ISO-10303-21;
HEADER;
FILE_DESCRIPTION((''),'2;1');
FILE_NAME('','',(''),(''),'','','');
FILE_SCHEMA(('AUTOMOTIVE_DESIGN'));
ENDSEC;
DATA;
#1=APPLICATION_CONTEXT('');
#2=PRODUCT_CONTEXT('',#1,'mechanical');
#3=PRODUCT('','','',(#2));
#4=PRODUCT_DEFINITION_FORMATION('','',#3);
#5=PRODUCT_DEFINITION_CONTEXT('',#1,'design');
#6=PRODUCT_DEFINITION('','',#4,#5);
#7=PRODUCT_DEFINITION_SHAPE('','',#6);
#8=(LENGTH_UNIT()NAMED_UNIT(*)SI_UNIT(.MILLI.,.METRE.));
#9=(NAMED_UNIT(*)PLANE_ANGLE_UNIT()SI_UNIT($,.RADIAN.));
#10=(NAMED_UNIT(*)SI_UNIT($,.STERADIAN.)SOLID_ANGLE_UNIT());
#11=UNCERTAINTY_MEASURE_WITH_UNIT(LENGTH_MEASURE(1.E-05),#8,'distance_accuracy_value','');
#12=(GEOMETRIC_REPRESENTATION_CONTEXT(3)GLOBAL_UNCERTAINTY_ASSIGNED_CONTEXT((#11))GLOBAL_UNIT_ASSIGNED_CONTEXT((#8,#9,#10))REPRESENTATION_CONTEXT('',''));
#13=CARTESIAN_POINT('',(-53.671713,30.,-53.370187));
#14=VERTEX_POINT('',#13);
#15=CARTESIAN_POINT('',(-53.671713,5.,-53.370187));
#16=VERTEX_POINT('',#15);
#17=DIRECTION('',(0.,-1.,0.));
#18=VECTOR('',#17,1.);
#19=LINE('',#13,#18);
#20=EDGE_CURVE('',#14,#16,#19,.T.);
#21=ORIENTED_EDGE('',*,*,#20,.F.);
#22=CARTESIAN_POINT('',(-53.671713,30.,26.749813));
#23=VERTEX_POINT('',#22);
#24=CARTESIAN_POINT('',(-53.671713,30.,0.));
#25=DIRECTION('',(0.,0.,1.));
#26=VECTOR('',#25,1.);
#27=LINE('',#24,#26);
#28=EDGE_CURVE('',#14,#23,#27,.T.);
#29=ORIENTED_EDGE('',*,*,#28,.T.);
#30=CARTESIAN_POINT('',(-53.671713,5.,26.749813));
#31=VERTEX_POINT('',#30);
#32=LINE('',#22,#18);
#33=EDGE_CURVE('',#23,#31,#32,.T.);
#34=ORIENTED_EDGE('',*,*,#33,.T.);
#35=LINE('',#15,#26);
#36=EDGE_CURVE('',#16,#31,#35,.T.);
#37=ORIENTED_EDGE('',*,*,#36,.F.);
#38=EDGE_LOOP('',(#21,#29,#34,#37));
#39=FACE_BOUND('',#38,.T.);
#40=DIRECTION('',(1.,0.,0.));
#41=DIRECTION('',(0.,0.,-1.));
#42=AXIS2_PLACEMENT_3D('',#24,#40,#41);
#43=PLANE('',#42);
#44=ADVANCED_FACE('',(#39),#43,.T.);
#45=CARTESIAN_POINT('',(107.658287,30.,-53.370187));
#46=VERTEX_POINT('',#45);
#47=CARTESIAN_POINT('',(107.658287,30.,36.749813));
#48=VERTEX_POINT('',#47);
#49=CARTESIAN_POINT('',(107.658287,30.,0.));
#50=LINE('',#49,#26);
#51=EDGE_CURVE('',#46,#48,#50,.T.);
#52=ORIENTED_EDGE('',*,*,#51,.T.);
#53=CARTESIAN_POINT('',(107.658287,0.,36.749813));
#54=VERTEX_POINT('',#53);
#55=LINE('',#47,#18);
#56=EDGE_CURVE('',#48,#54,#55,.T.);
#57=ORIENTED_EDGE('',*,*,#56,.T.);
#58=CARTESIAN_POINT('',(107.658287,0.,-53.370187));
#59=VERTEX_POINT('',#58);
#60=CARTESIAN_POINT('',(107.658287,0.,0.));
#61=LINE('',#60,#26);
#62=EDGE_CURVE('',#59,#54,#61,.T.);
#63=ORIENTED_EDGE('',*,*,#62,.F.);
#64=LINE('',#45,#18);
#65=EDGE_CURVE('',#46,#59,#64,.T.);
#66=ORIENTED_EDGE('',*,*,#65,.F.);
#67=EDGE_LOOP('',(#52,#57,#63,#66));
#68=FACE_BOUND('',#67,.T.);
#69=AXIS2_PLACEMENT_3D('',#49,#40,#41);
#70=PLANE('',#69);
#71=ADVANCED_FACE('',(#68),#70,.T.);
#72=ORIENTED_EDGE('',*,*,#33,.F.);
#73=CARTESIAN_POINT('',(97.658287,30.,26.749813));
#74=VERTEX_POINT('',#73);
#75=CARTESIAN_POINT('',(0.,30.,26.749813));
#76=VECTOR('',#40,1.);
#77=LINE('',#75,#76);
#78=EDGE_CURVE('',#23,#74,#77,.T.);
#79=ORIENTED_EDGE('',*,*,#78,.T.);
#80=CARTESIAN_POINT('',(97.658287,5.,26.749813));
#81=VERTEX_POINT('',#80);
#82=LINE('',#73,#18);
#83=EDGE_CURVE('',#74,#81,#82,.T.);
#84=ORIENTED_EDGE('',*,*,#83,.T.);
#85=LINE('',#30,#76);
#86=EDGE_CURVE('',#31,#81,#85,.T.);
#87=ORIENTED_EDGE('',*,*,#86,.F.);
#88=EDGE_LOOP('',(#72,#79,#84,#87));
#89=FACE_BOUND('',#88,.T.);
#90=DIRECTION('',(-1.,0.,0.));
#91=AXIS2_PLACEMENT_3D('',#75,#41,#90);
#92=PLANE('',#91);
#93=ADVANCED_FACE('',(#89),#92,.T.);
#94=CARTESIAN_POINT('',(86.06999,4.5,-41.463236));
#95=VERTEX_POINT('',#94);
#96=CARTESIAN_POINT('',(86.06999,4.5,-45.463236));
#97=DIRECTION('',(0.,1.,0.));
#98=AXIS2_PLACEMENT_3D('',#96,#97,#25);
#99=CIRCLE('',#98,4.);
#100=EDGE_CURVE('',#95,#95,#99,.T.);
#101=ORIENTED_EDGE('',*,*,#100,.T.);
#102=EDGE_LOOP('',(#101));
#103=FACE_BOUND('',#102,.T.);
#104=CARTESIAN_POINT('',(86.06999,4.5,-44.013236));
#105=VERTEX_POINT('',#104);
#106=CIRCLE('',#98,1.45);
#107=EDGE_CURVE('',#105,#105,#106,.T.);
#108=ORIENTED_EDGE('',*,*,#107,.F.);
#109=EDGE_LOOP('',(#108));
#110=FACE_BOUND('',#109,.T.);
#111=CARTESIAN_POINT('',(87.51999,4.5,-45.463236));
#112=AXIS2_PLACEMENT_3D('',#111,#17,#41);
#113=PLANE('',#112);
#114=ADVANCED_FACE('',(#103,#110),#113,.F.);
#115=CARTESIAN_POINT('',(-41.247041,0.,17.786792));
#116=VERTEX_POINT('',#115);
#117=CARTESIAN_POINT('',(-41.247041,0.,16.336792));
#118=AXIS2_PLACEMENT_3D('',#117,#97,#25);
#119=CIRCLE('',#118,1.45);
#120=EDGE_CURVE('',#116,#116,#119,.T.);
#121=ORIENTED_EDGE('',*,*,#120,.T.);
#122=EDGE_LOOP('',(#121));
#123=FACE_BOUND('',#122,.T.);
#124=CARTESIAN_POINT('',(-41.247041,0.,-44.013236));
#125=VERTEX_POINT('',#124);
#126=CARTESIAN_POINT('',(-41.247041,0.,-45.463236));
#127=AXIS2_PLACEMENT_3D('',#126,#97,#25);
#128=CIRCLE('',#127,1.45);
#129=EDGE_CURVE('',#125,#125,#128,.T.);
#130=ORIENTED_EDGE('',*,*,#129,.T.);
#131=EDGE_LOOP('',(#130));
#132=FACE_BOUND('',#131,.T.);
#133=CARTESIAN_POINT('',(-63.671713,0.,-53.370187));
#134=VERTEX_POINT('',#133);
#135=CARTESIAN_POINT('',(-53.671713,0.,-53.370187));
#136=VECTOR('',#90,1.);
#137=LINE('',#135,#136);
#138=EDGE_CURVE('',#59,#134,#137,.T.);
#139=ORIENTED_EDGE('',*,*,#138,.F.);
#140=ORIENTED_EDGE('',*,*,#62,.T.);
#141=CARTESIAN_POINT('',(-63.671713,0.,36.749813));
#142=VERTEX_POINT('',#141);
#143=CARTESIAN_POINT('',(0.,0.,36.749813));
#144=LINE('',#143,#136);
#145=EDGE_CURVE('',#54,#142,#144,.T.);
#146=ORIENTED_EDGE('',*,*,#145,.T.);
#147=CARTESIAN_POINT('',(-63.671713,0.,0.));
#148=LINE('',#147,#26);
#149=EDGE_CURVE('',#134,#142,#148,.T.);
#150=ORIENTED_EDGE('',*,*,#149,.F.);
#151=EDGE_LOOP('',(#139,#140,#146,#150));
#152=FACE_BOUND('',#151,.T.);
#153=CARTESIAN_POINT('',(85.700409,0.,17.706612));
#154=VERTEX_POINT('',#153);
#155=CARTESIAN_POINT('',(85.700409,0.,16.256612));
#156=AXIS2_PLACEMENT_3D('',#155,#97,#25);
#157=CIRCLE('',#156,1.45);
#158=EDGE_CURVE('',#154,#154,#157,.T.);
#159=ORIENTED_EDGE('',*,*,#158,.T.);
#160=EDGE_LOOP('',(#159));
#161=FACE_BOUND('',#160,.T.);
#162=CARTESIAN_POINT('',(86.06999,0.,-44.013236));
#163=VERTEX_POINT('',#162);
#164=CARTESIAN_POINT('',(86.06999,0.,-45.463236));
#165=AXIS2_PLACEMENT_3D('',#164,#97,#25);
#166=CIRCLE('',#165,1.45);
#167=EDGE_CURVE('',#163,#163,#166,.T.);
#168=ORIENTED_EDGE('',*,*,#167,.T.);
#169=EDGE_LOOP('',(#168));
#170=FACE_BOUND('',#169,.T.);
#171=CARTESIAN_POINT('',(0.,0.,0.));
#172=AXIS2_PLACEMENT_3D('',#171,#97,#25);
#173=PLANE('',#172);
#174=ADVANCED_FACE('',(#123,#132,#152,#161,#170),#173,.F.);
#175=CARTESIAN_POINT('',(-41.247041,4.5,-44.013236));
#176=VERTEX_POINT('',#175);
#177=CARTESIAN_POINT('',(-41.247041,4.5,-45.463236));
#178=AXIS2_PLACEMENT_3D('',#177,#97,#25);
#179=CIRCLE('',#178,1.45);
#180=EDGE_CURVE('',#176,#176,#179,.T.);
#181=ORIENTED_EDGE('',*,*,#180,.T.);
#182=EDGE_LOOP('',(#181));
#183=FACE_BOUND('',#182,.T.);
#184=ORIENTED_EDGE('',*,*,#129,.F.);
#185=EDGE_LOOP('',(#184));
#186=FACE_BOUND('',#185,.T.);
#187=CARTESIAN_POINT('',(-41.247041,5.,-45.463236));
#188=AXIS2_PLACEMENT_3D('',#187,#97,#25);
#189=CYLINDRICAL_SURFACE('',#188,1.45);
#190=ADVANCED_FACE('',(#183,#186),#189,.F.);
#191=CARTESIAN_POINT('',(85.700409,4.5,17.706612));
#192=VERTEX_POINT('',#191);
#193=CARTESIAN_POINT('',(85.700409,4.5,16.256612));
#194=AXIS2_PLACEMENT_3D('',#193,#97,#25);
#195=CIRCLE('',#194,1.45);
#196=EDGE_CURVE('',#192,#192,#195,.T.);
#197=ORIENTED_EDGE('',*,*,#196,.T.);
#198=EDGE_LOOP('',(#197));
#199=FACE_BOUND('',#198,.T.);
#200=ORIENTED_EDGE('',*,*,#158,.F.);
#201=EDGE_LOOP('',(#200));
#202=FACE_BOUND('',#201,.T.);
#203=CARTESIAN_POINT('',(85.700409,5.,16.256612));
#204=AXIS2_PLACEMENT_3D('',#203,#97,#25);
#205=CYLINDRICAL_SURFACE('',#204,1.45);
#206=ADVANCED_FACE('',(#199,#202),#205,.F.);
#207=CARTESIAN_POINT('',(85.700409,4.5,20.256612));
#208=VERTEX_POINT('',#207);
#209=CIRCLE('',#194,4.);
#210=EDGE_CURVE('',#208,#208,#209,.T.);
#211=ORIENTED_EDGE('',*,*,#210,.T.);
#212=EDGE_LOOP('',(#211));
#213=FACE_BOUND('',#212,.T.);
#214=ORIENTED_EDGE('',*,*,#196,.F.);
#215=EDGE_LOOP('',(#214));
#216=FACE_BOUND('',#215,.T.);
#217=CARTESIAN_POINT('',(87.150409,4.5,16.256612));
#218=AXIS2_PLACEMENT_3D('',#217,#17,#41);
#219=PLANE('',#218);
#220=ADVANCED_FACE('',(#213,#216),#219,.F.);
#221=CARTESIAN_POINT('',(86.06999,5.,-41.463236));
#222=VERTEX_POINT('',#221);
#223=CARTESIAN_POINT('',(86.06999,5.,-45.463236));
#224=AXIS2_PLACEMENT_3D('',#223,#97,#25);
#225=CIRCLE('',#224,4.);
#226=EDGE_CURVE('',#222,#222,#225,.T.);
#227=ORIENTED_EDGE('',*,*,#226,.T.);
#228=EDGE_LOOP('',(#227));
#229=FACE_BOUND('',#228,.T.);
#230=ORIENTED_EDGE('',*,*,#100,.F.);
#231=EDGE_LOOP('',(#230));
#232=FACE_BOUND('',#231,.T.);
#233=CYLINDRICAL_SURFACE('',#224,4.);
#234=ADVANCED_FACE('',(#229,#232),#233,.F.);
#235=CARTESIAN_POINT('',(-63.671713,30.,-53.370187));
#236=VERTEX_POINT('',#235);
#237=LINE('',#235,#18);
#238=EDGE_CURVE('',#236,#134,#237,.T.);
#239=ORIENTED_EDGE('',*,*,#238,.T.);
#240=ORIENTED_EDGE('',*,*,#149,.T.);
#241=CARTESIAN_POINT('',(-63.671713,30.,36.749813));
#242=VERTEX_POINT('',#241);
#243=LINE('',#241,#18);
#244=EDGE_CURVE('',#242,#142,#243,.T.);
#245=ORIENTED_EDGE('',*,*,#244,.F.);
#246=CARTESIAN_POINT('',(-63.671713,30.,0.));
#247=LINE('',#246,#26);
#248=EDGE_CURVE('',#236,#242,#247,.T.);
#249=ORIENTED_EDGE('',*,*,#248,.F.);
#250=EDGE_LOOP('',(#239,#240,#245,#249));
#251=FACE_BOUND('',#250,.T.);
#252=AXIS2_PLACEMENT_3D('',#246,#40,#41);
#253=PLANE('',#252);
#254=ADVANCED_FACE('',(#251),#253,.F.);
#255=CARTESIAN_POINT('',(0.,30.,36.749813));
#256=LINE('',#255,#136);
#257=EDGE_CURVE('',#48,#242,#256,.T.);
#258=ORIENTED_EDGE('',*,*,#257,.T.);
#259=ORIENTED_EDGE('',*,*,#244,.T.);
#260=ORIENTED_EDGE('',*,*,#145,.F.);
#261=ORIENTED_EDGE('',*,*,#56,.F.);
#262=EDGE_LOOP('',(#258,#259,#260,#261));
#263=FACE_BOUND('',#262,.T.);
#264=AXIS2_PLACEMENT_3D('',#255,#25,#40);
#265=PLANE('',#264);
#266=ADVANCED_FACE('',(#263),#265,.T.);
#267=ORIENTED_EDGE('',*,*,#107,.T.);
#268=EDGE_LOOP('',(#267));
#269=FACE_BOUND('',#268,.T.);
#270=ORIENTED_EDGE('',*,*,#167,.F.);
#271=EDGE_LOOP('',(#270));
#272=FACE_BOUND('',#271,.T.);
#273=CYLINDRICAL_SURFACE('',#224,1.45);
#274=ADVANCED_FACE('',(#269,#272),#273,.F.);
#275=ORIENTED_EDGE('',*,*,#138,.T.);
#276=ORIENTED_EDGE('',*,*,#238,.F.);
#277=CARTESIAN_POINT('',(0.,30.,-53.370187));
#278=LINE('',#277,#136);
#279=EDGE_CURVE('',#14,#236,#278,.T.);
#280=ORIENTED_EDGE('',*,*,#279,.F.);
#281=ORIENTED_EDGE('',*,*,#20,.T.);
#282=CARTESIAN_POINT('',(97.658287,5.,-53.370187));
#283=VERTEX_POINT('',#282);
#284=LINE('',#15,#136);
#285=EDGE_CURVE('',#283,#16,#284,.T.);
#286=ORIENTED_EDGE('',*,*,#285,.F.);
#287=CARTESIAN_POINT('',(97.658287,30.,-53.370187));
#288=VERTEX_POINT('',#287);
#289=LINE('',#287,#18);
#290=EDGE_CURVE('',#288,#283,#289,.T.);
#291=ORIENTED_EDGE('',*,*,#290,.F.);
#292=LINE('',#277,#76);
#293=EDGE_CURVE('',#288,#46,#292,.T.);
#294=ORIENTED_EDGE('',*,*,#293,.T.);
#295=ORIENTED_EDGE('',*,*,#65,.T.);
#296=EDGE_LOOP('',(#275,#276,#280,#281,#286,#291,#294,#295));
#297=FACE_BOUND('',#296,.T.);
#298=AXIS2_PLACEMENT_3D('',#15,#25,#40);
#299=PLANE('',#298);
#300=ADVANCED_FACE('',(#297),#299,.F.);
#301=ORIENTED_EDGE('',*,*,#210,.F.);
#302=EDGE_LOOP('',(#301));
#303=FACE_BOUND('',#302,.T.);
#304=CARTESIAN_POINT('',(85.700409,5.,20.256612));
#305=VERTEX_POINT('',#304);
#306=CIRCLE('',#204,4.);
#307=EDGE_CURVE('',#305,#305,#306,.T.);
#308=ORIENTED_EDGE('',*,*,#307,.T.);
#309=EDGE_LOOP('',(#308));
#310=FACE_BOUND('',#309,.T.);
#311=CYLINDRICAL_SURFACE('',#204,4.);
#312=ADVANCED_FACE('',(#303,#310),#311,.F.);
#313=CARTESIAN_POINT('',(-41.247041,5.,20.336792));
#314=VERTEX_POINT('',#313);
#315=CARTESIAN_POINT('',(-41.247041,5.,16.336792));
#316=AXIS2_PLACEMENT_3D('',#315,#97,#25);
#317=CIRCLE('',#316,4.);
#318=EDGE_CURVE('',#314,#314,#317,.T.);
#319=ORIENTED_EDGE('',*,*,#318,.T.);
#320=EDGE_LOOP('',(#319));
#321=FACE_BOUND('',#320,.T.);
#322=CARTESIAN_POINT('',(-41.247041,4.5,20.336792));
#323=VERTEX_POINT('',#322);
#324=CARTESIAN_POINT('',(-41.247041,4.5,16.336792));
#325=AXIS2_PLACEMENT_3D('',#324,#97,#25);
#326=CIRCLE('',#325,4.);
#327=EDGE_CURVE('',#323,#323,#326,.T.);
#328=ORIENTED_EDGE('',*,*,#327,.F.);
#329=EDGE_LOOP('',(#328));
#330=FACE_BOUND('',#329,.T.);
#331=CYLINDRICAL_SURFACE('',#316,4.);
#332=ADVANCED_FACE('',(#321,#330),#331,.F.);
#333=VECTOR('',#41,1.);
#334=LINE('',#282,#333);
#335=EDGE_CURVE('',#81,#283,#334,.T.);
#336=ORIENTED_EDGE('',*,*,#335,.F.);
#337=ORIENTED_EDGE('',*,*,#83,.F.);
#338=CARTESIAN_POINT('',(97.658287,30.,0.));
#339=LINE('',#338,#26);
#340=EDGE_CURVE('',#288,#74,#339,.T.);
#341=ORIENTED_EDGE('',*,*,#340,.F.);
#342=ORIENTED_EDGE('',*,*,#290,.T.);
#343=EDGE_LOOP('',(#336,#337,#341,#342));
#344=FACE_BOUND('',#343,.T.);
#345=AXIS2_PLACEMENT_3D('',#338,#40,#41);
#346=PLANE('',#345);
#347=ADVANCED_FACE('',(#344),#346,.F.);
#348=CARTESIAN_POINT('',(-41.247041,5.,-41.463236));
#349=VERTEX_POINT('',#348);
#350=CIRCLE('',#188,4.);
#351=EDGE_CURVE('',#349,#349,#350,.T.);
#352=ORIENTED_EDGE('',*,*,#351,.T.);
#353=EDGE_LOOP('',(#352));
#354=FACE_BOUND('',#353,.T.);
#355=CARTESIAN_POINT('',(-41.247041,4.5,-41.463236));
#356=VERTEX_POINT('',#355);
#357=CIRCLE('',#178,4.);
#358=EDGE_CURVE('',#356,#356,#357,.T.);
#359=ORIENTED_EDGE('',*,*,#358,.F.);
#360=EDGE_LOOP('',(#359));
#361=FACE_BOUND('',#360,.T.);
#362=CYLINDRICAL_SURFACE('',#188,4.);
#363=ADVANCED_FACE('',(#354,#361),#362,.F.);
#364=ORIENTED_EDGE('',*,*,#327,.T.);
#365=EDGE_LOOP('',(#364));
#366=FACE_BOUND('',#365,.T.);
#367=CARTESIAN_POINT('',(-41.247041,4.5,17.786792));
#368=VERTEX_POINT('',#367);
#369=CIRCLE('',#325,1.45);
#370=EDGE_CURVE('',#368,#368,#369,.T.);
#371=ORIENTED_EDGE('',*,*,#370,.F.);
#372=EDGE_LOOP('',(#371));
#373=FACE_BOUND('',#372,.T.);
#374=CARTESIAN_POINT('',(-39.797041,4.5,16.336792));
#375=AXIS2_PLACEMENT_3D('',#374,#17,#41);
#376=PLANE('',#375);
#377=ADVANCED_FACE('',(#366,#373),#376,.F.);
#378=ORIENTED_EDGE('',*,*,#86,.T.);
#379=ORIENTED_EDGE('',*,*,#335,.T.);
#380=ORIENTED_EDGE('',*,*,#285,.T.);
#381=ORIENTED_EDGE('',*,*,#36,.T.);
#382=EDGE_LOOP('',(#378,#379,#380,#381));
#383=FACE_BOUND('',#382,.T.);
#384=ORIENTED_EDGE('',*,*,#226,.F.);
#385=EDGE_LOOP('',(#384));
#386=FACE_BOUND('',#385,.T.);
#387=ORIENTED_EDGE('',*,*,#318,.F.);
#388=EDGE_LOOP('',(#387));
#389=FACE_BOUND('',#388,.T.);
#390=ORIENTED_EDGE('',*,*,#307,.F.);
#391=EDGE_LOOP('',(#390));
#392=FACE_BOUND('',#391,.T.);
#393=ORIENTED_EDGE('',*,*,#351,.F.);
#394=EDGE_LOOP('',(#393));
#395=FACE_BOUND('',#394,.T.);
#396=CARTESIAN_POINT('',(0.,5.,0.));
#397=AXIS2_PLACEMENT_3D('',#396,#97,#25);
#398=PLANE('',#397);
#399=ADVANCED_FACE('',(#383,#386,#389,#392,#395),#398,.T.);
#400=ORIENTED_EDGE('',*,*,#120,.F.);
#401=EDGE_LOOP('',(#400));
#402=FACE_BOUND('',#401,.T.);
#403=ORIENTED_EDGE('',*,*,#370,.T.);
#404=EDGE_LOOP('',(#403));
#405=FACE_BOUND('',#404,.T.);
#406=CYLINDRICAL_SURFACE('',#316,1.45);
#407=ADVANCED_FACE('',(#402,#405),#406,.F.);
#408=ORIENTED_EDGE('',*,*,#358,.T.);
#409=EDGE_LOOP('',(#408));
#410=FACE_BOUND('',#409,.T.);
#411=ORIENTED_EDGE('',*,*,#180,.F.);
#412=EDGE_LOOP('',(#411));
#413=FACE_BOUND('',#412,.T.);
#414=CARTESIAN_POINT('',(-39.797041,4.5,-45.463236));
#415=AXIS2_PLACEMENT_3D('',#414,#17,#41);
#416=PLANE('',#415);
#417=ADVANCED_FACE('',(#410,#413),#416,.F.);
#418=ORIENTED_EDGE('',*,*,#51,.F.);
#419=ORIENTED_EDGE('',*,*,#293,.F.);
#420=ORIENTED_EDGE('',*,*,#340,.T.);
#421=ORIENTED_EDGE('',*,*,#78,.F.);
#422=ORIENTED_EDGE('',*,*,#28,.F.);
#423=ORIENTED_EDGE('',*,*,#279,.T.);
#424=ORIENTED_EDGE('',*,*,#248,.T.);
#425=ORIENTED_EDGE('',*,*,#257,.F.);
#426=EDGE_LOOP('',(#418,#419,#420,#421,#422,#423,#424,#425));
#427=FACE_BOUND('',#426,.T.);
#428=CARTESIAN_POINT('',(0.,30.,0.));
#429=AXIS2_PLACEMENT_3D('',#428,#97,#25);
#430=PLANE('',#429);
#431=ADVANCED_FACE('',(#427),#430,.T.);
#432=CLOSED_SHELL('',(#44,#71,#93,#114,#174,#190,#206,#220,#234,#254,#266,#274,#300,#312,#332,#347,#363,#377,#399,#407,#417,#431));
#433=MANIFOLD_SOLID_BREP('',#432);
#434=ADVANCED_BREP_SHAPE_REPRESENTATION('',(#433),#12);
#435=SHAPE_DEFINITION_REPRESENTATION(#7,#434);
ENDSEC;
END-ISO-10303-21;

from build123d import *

# Parameters (mm, degrees)
SKETCH1_W                                            = 151.33
SKETCH1_H                                            = 80.12
BOSS_EXTRUDE1_DEPTH                                  = 5
SKETCH3_W                                            = 10
SKETCH3_H                                            = 90.12
SKETCH3_W_2                                          = 151.33
SKETCH3_H_2                                          = 10
BOSS_EXTRUDE2_DEPTH                                  = 30
CBORE_FOR_M2_5_HEXAGON_HEAD_BOLTS_FULL_T_D           = 2.9
CBORE_FOR_M2_5_HEXAGON_HEAD_BOLTS_FULL_T_DEPTH       = 20
CBORE_FOR_M2_5_HEXAGON_HEAD_BOLTS_FULL_T_CBORE_D     = 8
CBORE_FOR_M2_5_HEXAGON_HEAD_BOLTS_FULL_T_CBORE_DEPTH = 0.5
CBORE_FOR_M2_5_HEXAGON_HEAD_BOLTS_FULL_T_TIP         = 0.871247898


with BuildPart() as part:
    # Sketch1 → Boss-Extrude1 (new body)
    with BuildSketch(Plane(origin=(0, 0, 0), x_dir=(1, 0, 0), z_dir=(0, 1, 0))):
        with Locations((21.993286604, 13.310186916)):
            Rectangle(SKETCH1_W, SKETCH1_H)
    extrude(amount=BOSS_EXTRUDE1_DEPTH)

    # Sketch3 → Boss-Extrude2 (add)
    with BuildSketch(Plane(origin=(0, 0, 0), x_dir=(1, 0, 0), z_dir=(0, 1, 0))):
        with Locations((-58.671713396, 8.310186916)):
            Rectangle(SKETCH3_W, SKETCH3_H)
        with Locations((21.993286604, -31.749813084)):
            Rectangle(SKETCH3_W_2, SKETCH3_H_2)
        with Locations((102.658286604, 8.310186916)):
            Rectangle(SKETCH3_W, SKETCH3_H)
    extrude(amount=BOSS_EXTRUDE2_DEPTH)

    # CBORE for M2.5 Hexagon head bolts-Full thread-grades AB1
    with Locations(Plane(origin=(85.700408956, 5, 16.256611899), x_dir=(0, 0, 1), z_dir=(0, 1, 0))):
        with Locations((0, 0), (0.080180531, -126.947449906), (-61.719848362, -126.947449906), (-61.719848362, 0.369580631)):
            CounterBoreHole(CBORE_FOR_M2_5_HEXAGON_HEAD_BOLTS_FULL_T_D / 2, CBORE_FOR_M2_5_HEXAGON_HEAD_BOLTS_FULL_T_CBORE_D / 2, CBORE_FOR_M2_5_HEXAGON_HEAD_BOLTS_FULL_T_CBORE_DEPTH, depth=CBORE_FOR_M2_5_HEXAGON_HEAD_BOLTS_FULL_T_DEPTH)
            with Locations((0, 0, -(CBORE_FOR_M2_5_HEXAGON_HEAD_BOLTS_FULL_T_DEPTH + CBORE_FOR_M2_5_HEXAGON_HEAD_BOLTS_FULL_T_TIP / 2))):  # 118° drill point
                Cone(0, CBORE_FOR_M2_5_HEXAGON_HEAD_BOLTS_FULL_T_D / 2, CBORE_FOR_M2_5_HEXAGON_HEAD_BOLTS_FULL_T_TIP, mode=Mode.SUBTRACT)


solid = part.part
